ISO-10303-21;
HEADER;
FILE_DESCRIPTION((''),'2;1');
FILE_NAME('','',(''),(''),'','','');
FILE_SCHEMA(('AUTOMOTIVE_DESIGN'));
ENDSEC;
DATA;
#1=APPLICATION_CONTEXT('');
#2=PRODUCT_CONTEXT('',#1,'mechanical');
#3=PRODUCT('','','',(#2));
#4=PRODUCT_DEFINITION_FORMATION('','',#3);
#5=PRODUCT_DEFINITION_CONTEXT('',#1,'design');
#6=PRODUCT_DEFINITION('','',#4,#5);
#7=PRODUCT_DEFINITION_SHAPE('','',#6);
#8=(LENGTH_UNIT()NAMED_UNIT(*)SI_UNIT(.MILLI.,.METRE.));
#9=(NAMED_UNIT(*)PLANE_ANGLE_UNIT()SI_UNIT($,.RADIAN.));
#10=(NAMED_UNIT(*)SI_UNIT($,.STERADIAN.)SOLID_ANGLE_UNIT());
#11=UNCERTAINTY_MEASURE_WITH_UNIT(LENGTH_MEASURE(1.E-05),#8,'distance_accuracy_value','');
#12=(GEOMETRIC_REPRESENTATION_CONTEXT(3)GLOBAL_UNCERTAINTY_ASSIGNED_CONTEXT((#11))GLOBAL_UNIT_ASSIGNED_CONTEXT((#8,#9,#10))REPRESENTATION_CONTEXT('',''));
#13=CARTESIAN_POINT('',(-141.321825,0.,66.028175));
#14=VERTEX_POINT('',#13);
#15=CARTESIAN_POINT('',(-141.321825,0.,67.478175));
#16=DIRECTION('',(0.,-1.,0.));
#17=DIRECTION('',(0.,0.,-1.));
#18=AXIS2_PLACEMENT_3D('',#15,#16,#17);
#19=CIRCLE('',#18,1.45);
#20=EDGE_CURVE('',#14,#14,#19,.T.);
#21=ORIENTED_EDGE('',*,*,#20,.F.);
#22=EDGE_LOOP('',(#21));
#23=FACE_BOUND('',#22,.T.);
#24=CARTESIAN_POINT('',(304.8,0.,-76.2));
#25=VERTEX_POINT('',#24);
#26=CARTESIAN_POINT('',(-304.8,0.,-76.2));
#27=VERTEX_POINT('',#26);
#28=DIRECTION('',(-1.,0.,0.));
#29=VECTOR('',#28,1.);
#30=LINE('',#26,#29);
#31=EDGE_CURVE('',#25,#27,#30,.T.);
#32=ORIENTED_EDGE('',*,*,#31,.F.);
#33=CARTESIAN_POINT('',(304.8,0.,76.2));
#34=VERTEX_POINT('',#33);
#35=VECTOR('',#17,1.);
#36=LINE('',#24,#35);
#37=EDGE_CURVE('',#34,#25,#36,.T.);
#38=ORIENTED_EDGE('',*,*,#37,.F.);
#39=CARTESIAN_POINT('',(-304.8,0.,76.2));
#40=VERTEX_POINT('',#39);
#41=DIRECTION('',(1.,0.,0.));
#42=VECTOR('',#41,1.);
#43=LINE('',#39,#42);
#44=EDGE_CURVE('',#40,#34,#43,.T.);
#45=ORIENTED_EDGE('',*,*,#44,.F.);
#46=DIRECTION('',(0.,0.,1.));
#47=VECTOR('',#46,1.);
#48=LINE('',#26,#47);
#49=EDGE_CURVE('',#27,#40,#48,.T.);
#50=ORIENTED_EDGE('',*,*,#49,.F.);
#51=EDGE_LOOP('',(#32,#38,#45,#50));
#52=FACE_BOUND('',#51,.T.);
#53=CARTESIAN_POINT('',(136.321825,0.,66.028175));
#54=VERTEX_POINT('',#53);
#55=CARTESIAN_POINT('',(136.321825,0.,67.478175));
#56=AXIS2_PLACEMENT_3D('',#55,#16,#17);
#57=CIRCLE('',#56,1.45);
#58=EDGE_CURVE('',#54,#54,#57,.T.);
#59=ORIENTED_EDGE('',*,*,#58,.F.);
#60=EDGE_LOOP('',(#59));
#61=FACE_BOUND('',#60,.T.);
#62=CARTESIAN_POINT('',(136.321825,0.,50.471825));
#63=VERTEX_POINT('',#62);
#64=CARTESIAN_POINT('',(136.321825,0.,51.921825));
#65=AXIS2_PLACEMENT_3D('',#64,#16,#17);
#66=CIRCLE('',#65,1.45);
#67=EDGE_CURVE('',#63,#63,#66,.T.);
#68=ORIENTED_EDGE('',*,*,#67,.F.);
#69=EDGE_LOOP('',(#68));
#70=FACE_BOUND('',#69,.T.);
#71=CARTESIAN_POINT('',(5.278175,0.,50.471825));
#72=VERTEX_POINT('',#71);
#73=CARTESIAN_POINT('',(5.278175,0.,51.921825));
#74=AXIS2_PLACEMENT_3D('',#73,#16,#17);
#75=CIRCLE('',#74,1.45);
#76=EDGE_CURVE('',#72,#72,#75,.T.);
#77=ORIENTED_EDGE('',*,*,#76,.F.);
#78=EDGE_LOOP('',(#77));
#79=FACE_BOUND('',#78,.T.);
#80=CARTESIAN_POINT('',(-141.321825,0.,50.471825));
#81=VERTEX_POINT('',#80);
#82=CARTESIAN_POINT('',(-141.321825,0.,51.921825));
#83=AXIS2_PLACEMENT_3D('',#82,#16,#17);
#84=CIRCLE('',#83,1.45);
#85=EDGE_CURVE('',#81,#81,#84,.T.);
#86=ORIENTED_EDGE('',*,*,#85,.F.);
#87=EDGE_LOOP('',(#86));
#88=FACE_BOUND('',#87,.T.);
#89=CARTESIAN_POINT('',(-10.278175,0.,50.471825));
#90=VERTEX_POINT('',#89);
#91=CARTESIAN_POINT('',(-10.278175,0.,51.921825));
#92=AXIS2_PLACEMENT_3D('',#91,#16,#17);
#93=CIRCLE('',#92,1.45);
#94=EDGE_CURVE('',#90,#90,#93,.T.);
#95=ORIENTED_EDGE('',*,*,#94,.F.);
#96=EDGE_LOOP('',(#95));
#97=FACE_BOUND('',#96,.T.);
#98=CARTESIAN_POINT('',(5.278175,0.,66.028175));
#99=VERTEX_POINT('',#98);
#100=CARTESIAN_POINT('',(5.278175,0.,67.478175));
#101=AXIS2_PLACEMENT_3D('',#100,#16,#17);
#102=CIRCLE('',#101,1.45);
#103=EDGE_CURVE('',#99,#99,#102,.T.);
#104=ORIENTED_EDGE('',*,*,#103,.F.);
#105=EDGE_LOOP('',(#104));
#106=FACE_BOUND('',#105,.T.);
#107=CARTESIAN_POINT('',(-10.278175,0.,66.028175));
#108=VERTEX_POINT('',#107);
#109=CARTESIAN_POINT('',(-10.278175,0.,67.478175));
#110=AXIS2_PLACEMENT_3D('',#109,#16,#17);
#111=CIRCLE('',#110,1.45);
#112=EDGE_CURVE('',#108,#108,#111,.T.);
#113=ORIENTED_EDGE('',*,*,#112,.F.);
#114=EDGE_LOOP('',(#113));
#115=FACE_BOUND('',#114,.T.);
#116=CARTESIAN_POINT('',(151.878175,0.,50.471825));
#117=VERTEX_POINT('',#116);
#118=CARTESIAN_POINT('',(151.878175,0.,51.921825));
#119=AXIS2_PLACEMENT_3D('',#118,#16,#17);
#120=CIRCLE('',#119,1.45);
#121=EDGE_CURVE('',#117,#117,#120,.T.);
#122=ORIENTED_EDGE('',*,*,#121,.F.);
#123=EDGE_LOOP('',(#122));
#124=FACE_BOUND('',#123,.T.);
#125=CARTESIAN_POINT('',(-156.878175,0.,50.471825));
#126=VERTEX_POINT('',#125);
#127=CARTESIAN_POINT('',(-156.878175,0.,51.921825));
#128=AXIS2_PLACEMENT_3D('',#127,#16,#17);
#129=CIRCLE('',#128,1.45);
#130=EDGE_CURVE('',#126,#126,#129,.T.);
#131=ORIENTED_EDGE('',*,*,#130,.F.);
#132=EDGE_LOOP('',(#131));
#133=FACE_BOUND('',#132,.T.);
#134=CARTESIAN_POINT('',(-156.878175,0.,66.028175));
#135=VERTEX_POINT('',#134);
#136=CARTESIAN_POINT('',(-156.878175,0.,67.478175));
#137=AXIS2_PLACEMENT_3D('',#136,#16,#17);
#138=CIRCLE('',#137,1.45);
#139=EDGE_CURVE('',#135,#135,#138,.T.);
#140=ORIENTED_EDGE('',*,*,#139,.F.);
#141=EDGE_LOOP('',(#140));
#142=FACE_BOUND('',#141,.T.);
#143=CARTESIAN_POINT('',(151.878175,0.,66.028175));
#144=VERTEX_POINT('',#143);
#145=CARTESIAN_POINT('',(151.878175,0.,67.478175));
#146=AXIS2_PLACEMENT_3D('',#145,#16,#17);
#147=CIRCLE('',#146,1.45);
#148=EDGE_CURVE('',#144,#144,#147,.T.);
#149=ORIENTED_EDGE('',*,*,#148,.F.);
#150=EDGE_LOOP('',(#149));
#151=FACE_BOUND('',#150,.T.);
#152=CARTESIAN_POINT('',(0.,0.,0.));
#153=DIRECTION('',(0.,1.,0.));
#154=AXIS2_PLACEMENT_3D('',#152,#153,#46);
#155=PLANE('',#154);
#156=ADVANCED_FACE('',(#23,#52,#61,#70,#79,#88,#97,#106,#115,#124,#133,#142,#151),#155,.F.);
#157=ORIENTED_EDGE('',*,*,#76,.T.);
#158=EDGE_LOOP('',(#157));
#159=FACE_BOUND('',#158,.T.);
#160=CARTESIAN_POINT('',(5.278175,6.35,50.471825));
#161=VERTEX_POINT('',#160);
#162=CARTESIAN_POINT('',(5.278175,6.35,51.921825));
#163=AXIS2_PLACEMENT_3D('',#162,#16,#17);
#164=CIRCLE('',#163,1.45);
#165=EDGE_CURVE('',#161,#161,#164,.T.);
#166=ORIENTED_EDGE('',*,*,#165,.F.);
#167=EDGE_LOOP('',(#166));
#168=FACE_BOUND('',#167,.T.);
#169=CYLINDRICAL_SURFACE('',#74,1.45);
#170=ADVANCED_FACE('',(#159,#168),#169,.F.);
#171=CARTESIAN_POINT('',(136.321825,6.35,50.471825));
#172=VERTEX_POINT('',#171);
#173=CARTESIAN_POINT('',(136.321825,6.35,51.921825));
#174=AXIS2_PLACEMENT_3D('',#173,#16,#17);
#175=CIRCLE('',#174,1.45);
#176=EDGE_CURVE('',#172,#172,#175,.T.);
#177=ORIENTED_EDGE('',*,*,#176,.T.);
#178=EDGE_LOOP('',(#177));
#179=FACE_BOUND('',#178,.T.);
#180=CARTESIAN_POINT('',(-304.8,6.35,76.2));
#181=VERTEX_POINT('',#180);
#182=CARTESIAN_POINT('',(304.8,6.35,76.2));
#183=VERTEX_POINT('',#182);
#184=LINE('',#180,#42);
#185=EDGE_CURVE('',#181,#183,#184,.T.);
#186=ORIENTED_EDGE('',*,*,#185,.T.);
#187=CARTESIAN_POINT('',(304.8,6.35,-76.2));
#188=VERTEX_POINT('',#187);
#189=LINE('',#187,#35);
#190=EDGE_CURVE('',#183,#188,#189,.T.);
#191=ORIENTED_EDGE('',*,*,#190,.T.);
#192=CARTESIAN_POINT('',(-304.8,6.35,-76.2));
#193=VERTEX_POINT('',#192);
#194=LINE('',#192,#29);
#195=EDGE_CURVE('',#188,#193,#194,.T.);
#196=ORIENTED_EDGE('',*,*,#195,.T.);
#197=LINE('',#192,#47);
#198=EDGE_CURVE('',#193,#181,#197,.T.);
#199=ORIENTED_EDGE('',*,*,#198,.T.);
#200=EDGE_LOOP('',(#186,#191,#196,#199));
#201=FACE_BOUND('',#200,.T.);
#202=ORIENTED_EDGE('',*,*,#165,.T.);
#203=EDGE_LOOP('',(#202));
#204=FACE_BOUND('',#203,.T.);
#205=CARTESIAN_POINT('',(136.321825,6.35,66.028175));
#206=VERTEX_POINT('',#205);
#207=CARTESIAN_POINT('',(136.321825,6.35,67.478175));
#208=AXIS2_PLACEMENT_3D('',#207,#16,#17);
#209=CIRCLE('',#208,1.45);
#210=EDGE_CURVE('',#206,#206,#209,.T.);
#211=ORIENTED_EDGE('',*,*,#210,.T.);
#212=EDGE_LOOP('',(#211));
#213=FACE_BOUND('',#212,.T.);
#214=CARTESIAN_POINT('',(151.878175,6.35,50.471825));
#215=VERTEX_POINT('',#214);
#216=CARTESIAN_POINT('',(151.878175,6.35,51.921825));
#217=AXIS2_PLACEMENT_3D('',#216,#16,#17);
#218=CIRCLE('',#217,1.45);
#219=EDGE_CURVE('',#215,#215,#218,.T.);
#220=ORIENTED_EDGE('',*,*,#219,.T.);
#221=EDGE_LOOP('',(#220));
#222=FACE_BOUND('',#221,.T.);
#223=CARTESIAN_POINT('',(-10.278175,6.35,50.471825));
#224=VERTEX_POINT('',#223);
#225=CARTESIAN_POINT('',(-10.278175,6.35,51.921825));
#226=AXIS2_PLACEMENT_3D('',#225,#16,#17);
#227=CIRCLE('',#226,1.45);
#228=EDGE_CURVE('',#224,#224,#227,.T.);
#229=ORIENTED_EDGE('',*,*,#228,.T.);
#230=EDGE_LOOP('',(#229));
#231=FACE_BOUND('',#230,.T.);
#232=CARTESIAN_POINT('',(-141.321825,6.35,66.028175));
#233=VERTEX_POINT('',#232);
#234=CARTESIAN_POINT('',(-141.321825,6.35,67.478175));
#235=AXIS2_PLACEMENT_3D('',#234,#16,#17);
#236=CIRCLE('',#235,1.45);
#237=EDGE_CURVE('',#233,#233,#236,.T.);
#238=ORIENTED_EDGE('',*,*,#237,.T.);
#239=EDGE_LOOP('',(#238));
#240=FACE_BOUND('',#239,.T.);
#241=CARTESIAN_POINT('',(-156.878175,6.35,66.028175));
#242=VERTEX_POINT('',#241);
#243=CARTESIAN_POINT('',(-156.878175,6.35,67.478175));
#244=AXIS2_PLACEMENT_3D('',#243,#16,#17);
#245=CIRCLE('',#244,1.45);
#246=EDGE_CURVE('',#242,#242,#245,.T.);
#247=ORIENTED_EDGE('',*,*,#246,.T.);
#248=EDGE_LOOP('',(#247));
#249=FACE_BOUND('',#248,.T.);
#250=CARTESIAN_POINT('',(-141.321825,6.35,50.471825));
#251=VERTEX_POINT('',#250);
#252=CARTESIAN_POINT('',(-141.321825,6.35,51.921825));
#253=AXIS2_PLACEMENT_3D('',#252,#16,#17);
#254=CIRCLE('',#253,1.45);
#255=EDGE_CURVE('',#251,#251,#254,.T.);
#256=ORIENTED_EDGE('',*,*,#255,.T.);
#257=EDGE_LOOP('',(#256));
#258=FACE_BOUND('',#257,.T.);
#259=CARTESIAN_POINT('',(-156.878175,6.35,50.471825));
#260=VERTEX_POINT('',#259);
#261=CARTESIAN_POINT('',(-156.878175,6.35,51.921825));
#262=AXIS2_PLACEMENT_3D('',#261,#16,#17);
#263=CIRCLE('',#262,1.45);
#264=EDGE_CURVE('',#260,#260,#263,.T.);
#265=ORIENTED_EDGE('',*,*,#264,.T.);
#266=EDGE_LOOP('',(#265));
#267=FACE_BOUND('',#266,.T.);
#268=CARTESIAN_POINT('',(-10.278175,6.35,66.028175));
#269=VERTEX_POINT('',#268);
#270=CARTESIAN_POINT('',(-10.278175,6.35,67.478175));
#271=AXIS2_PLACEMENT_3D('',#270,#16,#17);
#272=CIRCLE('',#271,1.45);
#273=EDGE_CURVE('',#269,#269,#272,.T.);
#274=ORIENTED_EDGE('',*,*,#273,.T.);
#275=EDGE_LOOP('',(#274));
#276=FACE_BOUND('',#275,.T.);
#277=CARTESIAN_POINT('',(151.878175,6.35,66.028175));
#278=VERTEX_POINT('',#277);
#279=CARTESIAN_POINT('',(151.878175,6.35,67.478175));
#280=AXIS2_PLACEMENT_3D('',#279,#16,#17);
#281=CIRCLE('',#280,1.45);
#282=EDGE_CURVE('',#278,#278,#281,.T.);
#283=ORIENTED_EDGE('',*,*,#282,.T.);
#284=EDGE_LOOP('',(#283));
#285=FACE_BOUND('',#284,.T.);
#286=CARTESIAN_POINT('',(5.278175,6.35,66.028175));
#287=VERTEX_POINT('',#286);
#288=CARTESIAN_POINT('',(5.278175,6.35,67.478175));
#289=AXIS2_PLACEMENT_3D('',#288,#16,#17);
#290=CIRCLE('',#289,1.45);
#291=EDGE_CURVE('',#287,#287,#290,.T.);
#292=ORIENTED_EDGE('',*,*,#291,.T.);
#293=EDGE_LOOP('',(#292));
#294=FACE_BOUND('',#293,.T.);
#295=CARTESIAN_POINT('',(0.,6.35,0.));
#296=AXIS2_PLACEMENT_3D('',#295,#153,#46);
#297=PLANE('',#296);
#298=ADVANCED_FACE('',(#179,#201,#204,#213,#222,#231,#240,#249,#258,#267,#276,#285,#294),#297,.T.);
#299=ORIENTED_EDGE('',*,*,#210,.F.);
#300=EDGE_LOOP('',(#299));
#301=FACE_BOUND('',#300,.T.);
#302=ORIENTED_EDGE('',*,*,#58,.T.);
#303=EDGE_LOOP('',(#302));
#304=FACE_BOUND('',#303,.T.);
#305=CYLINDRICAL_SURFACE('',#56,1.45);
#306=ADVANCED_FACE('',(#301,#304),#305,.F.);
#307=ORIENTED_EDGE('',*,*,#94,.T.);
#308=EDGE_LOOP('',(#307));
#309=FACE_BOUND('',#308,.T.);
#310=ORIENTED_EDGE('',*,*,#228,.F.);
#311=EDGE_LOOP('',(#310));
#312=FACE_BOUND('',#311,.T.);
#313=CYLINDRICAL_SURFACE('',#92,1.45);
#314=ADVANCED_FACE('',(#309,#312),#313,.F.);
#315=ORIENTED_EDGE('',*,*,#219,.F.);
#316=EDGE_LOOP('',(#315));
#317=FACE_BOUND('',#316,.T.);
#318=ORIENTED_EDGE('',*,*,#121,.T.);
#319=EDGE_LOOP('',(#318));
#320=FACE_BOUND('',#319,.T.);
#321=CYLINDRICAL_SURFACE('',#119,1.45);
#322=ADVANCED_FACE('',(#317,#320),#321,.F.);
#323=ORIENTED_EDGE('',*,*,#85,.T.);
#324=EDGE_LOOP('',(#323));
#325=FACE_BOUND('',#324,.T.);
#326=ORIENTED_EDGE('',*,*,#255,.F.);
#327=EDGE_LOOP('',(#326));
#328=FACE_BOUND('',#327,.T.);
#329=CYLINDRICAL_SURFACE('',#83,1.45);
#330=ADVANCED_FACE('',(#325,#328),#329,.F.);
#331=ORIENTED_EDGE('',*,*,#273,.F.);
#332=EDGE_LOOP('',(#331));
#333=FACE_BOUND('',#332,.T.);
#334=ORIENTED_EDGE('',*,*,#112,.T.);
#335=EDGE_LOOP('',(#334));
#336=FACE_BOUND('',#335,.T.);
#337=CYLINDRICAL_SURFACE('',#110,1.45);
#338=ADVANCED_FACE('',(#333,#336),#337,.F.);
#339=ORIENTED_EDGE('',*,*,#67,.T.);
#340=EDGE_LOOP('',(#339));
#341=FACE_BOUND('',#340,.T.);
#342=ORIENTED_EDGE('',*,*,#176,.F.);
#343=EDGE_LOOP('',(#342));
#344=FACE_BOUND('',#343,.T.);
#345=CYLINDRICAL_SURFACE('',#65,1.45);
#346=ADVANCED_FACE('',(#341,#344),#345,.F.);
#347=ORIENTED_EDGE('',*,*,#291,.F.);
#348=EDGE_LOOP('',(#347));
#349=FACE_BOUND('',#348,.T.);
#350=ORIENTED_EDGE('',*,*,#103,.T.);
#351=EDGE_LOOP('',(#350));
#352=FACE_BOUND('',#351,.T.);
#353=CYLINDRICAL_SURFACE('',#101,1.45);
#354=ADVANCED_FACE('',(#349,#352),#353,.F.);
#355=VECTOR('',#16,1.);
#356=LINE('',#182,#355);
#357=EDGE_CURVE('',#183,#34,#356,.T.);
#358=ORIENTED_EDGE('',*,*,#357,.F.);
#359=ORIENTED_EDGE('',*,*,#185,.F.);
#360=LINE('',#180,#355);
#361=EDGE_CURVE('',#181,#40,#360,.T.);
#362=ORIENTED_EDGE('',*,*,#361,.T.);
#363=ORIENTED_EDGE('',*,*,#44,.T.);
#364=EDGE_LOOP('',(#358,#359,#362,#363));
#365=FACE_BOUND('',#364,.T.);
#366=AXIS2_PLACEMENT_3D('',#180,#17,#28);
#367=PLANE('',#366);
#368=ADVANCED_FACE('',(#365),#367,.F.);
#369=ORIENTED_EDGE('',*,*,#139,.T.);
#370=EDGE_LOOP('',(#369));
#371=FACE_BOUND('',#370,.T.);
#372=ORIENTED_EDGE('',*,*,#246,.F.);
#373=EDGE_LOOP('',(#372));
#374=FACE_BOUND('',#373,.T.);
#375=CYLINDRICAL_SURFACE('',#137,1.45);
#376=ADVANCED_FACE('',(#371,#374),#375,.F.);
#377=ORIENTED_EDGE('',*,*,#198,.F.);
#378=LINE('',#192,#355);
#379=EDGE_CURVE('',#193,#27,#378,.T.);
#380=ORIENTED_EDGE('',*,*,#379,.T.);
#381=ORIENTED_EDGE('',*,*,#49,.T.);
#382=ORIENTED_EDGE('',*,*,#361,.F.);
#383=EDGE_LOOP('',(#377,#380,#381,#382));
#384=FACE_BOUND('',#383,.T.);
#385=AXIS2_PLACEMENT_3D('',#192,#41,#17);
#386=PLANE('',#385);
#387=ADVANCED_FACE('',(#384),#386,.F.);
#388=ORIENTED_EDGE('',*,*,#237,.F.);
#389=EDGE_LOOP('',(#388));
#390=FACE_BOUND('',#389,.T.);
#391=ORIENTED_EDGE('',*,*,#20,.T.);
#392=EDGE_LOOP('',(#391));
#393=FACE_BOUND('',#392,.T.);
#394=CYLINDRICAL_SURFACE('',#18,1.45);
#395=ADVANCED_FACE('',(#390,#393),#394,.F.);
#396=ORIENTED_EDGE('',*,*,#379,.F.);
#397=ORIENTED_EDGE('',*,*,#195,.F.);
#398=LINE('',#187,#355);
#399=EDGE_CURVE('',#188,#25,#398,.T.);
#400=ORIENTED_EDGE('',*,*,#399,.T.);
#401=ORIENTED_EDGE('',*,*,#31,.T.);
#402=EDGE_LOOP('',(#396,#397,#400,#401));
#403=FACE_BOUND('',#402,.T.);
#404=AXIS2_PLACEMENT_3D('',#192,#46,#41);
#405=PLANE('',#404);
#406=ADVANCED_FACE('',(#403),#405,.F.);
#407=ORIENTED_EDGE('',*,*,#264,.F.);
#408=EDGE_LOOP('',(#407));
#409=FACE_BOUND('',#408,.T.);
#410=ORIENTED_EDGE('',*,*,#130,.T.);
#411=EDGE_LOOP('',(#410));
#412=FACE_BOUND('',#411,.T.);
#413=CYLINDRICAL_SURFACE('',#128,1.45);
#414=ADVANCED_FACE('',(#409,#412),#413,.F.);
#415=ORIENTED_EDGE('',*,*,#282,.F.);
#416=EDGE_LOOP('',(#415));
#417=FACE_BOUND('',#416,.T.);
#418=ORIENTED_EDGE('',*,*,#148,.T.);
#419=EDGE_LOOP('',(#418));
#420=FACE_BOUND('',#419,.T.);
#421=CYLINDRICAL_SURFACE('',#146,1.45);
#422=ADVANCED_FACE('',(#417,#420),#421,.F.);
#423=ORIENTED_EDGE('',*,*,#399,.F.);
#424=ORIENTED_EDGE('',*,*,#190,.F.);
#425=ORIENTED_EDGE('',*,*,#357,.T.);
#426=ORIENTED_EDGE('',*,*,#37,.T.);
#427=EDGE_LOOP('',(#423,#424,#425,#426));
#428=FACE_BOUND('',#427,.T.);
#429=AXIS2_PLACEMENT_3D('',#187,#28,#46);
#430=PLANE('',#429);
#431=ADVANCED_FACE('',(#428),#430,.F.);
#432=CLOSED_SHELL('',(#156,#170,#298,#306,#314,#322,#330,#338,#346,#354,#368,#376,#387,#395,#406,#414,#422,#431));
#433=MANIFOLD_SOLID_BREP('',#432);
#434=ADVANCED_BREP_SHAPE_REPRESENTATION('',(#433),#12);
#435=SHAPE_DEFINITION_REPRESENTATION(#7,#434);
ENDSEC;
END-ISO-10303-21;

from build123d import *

# Parameters (mm, degrees)
SKETCH1_W              = 609.6
SKETCH1_H              = 152.4
BOSS_EXTRUDE1_DEPTH    = 6.35
M2_5_CLEARANCE_HOLE1_D = 2.9


with BuildPart() as part:
    # Sketch1 → Boss-Extrude1 (new body)
    with BuildSketch(Plane(origin=(0, 0, 0), x_dir=(1, 0, 0), z_dir=(0, 1, 0))):
        Rectangle(SKETCH1_W, SKETCH1_H)
    extrude(amount=BOSS_EXTRUDE1_DEPTH)

    # M2.5 Clearance Hole1 (through all)
    with Locations(Plane(origin=(0, 0, 0), x_dir=(-1, 0, 0), z_dir=(0, -1, 0))):
        with Locations((156.878174593, -51.921825407), (141.321825407, -51.921825407), (141.321825407, -67.478174593), (156.878174593, -67.478174593), (10.278174593, -51.921825407), (10.278174593, -67.478174593), (-5.278174593, -67.478174593), (-5.278174593, -51.921825407), (-136.321825407, -51.921825407), (-136.321825407, -67.478174593), (-151.878174593, -67.478174593), (-151.878174593, -51.921825407)):
            Hole(M2_5_CLEARANCE_HOLE1_D / 2)


solid = part.part
